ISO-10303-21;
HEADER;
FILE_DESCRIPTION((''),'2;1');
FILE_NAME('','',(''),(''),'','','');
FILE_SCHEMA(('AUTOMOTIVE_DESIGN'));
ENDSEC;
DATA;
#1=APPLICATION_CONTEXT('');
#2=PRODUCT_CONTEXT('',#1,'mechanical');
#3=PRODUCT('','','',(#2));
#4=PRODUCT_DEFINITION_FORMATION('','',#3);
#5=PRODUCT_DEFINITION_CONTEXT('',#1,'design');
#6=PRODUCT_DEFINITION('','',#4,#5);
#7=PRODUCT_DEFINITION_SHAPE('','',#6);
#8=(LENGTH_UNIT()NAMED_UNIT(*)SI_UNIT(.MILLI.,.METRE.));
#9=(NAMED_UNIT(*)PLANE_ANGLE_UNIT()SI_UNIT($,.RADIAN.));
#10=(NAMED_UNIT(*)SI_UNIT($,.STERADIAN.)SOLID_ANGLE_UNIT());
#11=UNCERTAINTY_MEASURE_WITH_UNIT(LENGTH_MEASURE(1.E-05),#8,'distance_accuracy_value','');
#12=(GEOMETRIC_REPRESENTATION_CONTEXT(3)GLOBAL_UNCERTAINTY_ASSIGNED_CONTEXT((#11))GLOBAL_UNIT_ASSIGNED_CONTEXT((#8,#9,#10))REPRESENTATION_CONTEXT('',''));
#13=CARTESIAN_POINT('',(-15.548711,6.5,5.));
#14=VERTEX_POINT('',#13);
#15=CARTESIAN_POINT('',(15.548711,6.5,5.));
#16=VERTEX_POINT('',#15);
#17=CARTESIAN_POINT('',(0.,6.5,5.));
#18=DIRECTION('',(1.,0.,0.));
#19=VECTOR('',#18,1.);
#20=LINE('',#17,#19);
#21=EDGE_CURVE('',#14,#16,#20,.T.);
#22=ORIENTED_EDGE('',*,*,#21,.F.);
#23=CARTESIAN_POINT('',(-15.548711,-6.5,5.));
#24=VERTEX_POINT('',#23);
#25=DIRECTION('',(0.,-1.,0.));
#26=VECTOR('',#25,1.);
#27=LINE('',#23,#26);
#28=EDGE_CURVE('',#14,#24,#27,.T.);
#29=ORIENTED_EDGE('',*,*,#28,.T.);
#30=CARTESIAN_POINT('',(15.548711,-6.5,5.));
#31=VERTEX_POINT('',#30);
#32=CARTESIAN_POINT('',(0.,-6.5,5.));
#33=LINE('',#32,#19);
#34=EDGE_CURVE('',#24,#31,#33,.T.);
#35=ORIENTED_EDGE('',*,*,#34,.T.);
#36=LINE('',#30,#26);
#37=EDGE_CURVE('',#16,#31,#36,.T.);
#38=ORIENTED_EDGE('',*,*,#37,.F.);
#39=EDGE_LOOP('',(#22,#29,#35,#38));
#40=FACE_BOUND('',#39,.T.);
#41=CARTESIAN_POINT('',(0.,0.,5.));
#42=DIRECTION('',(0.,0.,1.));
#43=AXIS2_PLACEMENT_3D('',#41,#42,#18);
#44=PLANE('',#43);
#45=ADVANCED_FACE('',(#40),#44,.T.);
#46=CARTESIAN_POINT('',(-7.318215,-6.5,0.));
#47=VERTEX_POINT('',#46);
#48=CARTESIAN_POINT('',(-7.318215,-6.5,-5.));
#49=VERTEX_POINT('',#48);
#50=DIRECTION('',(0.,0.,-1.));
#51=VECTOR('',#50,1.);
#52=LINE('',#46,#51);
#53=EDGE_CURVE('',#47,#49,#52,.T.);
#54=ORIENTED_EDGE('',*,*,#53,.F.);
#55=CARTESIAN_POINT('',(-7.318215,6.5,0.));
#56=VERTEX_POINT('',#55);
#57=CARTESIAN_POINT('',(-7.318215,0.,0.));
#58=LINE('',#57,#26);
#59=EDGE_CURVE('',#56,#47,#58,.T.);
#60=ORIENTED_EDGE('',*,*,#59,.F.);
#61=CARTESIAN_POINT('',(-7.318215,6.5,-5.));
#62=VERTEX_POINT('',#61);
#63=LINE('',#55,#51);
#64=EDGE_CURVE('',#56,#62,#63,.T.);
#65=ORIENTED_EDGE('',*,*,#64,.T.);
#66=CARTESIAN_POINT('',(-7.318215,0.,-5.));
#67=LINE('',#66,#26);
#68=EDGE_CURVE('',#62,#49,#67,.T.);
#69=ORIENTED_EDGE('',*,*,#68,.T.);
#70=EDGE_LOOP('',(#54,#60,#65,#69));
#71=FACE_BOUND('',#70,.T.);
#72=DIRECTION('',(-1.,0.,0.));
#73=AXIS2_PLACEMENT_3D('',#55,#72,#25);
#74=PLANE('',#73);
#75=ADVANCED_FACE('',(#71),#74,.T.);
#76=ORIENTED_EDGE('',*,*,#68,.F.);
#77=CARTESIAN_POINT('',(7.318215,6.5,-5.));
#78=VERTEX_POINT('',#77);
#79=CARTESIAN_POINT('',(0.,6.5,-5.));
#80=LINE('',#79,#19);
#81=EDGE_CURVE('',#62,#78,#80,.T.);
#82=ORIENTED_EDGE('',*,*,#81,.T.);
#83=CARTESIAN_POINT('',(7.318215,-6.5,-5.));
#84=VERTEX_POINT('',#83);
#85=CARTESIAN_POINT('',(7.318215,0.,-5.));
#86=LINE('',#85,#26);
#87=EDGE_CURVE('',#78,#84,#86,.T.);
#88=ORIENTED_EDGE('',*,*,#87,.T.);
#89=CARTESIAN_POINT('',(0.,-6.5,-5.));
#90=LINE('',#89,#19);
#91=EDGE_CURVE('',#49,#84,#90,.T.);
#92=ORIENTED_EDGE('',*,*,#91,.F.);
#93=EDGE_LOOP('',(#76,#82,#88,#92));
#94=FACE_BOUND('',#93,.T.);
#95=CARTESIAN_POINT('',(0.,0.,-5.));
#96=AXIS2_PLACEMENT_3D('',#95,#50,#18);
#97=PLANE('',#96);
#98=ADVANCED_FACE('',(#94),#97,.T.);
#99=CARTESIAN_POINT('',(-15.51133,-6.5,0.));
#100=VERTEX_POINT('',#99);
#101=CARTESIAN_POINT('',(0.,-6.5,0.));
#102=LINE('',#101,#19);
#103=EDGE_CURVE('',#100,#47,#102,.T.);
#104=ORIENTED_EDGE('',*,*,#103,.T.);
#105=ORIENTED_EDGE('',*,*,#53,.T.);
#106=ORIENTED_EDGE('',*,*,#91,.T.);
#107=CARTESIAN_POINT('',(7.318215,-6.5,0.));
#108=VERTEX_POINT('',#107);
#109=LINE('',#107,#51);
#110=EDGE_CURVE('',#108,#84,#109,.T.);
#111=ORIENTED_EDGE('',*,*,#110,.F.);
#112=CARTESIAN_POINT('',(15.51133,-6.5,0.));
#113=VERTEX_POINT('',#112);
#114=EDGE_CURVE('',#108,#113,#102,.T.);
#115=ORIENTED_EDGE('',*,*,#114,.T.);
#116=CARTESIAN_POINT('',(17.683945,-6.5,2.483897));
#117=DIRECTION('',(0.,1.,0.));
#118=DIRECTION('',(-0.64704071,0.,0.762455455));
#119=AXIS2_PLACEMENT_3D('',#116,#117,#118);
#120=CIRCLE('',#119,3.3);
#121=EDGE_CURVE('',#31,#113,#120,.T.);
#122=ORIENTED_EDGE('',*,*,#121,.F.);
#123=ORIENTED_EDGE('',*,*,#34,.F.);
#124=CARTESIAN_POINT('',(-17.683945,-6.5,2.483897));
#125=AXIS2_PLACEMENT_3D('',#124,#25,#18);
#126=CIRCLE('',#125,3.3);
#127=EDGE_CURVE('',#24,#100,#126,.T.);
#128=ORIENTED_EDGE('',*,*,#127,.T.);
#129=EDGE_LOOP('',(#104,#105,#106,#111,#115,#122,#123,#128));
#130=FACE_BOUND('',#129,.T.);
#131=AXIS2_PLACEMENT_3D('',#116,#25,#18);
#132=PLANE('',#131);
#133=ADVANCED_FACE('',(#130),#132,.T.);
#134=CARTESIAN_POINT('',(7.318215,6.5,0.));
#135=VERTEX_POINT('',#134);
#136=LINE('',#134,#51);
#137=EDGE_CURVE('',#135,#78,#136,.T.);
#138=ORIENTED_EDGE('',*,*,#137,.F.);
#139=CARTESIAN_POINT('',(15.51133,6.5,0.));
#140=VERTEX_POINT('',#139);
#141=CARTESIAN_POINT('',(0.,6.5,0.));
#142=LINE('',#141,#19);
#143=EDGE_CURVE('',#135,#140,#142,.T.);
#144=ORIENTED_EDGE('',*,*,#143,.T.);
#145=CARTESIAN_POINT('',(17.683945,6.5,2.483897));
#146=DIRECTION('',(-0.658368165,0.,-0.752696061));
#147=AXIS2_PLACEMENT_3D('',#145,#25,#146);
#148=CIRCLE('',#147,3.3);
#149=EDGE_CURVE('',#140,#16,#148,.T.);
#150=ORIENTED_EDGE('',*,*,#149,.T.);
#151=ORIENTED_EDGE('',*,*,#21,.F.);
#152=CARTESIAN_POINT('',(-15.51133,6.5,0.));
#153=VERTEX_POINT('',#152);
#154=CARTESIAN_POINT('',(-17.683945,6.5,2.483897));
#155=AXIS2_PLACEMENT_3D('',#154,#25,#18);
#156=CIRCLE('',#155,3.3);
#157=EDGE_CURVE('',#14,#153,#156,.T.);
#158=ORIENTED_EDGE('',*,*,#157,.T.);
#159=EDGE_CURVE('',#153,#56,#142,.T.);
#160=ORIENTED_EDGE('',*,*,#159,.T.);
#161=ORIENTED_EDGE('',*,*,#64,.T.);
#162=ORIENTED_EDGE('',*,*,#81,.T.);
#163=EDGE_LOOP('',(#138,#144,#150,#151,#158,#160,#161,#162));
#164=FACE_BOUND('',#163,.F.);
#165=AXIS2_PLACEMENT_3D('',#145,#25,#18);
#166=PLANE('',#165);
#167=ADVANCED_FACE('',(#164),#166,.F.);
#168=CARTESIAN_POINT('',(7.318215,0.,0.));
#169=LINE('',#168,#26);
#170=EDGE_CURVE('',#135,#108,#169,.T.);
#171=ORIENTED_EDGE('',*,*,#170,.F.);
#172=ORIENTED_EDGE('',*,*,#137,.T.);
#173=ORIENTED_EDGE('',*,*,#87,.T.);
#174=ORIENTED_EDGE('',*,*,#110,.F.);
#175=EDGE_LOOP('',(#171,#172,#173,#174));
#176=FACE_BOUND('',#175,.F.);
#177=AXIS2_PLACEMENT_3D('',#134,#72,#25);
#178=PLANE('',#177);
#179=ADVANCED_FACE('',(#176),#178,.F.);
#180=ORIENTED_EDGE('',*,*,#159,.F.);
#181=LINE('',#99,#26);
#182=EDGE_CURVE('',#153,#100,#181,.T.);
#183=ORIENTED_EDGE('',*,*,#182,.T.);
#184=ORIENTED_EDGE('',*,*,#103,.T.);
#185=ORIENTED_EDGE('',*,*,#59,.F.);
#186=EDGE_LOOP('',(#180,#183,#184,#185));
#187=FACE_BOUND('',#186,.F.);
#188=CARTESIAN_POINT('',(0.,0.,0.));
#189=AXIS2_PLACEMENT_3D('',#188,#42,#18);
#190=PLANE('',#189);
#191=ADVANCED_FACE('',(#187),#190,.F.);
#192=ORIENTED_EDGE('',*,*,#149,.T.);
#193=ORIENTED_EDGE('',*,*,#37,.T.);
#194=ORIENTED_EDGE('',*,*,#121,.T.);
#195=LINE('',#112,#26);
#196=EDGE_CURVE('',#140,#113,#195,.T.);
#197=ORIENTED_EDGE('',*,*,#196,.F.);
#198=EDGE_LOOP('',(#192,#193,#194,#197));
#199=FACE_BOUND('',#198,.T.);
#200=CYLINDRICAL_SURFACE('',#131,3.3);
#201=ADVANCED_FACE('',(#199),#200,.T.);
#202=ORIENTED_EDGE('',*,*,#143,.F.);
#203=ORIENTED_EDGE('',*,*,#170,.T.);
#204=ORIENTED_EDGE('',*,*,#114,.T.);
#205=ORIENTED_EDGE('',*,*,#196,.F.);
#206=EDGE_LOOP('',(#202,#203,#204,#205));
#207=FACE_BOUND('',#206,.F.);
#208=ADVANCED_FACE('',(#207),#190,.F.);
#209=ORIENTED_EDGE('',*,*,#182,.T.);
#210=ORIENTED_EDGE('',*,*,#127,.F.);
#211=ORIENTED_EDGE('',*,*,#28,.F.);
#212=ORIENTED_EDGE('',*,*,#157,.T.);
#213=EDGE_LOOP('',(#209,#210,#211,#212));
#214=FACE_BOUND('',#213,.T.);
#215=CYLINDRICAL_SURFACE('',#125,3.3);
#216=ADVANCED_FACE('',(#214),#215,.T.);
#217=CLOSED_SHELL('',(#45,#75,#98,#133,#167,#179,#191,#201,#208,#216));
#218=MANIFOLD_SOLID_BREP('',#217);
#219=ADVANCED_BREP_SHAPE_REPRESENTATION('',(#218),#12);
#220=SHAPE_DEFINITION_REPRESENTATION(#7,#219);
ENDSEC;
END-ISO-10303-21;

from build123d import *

# Parameters (mm, degrees)
SKETCH005_W  = 14.63643
SKETCH005_H  = 13
PAD004_DEPTH = 5
SKETCH_W     = 35
SKETCH_H     = 13
PAD_DEPTH    = 5
SKETCH003_R  = 3.3
PAD003_DEPTH = 13


with BuildPart() as pad004:
    # Sketch005 → Pad004 (new body)
    with BuildSketch(Plane(origin=(0, 0, 0), x_dir=(1, 0, 0), z_dir=(0, 0, -1))):
        Rectangle(SKETCH005_W, SKETCH005_H)
    extrude(amount=PAD004_DEPTH)


with BuildPart() as fusion:
    # Sketch → Pad (new body)
    with BuildSketch(Plane.XY):
        Rectangle(SKETCH_W, SKETCH_H)
    extrude(amount=PAD_DEPTH)

    # Sketch003 → Pad003 (new body)
    with BuildSketch(Plane.XZ.offset(6.5)):
        with Locations((17.683945, 2.483897)):
            Circle(SKETCH003_R)
        with Locations((-17.683945, 2.483897)):
            Circle(SKETCH003_R)
    extrude(amount=-PAD003_DEPTH)

    # Fusion: union Pad004
    add(pad004.part)


solid = fusion.part
